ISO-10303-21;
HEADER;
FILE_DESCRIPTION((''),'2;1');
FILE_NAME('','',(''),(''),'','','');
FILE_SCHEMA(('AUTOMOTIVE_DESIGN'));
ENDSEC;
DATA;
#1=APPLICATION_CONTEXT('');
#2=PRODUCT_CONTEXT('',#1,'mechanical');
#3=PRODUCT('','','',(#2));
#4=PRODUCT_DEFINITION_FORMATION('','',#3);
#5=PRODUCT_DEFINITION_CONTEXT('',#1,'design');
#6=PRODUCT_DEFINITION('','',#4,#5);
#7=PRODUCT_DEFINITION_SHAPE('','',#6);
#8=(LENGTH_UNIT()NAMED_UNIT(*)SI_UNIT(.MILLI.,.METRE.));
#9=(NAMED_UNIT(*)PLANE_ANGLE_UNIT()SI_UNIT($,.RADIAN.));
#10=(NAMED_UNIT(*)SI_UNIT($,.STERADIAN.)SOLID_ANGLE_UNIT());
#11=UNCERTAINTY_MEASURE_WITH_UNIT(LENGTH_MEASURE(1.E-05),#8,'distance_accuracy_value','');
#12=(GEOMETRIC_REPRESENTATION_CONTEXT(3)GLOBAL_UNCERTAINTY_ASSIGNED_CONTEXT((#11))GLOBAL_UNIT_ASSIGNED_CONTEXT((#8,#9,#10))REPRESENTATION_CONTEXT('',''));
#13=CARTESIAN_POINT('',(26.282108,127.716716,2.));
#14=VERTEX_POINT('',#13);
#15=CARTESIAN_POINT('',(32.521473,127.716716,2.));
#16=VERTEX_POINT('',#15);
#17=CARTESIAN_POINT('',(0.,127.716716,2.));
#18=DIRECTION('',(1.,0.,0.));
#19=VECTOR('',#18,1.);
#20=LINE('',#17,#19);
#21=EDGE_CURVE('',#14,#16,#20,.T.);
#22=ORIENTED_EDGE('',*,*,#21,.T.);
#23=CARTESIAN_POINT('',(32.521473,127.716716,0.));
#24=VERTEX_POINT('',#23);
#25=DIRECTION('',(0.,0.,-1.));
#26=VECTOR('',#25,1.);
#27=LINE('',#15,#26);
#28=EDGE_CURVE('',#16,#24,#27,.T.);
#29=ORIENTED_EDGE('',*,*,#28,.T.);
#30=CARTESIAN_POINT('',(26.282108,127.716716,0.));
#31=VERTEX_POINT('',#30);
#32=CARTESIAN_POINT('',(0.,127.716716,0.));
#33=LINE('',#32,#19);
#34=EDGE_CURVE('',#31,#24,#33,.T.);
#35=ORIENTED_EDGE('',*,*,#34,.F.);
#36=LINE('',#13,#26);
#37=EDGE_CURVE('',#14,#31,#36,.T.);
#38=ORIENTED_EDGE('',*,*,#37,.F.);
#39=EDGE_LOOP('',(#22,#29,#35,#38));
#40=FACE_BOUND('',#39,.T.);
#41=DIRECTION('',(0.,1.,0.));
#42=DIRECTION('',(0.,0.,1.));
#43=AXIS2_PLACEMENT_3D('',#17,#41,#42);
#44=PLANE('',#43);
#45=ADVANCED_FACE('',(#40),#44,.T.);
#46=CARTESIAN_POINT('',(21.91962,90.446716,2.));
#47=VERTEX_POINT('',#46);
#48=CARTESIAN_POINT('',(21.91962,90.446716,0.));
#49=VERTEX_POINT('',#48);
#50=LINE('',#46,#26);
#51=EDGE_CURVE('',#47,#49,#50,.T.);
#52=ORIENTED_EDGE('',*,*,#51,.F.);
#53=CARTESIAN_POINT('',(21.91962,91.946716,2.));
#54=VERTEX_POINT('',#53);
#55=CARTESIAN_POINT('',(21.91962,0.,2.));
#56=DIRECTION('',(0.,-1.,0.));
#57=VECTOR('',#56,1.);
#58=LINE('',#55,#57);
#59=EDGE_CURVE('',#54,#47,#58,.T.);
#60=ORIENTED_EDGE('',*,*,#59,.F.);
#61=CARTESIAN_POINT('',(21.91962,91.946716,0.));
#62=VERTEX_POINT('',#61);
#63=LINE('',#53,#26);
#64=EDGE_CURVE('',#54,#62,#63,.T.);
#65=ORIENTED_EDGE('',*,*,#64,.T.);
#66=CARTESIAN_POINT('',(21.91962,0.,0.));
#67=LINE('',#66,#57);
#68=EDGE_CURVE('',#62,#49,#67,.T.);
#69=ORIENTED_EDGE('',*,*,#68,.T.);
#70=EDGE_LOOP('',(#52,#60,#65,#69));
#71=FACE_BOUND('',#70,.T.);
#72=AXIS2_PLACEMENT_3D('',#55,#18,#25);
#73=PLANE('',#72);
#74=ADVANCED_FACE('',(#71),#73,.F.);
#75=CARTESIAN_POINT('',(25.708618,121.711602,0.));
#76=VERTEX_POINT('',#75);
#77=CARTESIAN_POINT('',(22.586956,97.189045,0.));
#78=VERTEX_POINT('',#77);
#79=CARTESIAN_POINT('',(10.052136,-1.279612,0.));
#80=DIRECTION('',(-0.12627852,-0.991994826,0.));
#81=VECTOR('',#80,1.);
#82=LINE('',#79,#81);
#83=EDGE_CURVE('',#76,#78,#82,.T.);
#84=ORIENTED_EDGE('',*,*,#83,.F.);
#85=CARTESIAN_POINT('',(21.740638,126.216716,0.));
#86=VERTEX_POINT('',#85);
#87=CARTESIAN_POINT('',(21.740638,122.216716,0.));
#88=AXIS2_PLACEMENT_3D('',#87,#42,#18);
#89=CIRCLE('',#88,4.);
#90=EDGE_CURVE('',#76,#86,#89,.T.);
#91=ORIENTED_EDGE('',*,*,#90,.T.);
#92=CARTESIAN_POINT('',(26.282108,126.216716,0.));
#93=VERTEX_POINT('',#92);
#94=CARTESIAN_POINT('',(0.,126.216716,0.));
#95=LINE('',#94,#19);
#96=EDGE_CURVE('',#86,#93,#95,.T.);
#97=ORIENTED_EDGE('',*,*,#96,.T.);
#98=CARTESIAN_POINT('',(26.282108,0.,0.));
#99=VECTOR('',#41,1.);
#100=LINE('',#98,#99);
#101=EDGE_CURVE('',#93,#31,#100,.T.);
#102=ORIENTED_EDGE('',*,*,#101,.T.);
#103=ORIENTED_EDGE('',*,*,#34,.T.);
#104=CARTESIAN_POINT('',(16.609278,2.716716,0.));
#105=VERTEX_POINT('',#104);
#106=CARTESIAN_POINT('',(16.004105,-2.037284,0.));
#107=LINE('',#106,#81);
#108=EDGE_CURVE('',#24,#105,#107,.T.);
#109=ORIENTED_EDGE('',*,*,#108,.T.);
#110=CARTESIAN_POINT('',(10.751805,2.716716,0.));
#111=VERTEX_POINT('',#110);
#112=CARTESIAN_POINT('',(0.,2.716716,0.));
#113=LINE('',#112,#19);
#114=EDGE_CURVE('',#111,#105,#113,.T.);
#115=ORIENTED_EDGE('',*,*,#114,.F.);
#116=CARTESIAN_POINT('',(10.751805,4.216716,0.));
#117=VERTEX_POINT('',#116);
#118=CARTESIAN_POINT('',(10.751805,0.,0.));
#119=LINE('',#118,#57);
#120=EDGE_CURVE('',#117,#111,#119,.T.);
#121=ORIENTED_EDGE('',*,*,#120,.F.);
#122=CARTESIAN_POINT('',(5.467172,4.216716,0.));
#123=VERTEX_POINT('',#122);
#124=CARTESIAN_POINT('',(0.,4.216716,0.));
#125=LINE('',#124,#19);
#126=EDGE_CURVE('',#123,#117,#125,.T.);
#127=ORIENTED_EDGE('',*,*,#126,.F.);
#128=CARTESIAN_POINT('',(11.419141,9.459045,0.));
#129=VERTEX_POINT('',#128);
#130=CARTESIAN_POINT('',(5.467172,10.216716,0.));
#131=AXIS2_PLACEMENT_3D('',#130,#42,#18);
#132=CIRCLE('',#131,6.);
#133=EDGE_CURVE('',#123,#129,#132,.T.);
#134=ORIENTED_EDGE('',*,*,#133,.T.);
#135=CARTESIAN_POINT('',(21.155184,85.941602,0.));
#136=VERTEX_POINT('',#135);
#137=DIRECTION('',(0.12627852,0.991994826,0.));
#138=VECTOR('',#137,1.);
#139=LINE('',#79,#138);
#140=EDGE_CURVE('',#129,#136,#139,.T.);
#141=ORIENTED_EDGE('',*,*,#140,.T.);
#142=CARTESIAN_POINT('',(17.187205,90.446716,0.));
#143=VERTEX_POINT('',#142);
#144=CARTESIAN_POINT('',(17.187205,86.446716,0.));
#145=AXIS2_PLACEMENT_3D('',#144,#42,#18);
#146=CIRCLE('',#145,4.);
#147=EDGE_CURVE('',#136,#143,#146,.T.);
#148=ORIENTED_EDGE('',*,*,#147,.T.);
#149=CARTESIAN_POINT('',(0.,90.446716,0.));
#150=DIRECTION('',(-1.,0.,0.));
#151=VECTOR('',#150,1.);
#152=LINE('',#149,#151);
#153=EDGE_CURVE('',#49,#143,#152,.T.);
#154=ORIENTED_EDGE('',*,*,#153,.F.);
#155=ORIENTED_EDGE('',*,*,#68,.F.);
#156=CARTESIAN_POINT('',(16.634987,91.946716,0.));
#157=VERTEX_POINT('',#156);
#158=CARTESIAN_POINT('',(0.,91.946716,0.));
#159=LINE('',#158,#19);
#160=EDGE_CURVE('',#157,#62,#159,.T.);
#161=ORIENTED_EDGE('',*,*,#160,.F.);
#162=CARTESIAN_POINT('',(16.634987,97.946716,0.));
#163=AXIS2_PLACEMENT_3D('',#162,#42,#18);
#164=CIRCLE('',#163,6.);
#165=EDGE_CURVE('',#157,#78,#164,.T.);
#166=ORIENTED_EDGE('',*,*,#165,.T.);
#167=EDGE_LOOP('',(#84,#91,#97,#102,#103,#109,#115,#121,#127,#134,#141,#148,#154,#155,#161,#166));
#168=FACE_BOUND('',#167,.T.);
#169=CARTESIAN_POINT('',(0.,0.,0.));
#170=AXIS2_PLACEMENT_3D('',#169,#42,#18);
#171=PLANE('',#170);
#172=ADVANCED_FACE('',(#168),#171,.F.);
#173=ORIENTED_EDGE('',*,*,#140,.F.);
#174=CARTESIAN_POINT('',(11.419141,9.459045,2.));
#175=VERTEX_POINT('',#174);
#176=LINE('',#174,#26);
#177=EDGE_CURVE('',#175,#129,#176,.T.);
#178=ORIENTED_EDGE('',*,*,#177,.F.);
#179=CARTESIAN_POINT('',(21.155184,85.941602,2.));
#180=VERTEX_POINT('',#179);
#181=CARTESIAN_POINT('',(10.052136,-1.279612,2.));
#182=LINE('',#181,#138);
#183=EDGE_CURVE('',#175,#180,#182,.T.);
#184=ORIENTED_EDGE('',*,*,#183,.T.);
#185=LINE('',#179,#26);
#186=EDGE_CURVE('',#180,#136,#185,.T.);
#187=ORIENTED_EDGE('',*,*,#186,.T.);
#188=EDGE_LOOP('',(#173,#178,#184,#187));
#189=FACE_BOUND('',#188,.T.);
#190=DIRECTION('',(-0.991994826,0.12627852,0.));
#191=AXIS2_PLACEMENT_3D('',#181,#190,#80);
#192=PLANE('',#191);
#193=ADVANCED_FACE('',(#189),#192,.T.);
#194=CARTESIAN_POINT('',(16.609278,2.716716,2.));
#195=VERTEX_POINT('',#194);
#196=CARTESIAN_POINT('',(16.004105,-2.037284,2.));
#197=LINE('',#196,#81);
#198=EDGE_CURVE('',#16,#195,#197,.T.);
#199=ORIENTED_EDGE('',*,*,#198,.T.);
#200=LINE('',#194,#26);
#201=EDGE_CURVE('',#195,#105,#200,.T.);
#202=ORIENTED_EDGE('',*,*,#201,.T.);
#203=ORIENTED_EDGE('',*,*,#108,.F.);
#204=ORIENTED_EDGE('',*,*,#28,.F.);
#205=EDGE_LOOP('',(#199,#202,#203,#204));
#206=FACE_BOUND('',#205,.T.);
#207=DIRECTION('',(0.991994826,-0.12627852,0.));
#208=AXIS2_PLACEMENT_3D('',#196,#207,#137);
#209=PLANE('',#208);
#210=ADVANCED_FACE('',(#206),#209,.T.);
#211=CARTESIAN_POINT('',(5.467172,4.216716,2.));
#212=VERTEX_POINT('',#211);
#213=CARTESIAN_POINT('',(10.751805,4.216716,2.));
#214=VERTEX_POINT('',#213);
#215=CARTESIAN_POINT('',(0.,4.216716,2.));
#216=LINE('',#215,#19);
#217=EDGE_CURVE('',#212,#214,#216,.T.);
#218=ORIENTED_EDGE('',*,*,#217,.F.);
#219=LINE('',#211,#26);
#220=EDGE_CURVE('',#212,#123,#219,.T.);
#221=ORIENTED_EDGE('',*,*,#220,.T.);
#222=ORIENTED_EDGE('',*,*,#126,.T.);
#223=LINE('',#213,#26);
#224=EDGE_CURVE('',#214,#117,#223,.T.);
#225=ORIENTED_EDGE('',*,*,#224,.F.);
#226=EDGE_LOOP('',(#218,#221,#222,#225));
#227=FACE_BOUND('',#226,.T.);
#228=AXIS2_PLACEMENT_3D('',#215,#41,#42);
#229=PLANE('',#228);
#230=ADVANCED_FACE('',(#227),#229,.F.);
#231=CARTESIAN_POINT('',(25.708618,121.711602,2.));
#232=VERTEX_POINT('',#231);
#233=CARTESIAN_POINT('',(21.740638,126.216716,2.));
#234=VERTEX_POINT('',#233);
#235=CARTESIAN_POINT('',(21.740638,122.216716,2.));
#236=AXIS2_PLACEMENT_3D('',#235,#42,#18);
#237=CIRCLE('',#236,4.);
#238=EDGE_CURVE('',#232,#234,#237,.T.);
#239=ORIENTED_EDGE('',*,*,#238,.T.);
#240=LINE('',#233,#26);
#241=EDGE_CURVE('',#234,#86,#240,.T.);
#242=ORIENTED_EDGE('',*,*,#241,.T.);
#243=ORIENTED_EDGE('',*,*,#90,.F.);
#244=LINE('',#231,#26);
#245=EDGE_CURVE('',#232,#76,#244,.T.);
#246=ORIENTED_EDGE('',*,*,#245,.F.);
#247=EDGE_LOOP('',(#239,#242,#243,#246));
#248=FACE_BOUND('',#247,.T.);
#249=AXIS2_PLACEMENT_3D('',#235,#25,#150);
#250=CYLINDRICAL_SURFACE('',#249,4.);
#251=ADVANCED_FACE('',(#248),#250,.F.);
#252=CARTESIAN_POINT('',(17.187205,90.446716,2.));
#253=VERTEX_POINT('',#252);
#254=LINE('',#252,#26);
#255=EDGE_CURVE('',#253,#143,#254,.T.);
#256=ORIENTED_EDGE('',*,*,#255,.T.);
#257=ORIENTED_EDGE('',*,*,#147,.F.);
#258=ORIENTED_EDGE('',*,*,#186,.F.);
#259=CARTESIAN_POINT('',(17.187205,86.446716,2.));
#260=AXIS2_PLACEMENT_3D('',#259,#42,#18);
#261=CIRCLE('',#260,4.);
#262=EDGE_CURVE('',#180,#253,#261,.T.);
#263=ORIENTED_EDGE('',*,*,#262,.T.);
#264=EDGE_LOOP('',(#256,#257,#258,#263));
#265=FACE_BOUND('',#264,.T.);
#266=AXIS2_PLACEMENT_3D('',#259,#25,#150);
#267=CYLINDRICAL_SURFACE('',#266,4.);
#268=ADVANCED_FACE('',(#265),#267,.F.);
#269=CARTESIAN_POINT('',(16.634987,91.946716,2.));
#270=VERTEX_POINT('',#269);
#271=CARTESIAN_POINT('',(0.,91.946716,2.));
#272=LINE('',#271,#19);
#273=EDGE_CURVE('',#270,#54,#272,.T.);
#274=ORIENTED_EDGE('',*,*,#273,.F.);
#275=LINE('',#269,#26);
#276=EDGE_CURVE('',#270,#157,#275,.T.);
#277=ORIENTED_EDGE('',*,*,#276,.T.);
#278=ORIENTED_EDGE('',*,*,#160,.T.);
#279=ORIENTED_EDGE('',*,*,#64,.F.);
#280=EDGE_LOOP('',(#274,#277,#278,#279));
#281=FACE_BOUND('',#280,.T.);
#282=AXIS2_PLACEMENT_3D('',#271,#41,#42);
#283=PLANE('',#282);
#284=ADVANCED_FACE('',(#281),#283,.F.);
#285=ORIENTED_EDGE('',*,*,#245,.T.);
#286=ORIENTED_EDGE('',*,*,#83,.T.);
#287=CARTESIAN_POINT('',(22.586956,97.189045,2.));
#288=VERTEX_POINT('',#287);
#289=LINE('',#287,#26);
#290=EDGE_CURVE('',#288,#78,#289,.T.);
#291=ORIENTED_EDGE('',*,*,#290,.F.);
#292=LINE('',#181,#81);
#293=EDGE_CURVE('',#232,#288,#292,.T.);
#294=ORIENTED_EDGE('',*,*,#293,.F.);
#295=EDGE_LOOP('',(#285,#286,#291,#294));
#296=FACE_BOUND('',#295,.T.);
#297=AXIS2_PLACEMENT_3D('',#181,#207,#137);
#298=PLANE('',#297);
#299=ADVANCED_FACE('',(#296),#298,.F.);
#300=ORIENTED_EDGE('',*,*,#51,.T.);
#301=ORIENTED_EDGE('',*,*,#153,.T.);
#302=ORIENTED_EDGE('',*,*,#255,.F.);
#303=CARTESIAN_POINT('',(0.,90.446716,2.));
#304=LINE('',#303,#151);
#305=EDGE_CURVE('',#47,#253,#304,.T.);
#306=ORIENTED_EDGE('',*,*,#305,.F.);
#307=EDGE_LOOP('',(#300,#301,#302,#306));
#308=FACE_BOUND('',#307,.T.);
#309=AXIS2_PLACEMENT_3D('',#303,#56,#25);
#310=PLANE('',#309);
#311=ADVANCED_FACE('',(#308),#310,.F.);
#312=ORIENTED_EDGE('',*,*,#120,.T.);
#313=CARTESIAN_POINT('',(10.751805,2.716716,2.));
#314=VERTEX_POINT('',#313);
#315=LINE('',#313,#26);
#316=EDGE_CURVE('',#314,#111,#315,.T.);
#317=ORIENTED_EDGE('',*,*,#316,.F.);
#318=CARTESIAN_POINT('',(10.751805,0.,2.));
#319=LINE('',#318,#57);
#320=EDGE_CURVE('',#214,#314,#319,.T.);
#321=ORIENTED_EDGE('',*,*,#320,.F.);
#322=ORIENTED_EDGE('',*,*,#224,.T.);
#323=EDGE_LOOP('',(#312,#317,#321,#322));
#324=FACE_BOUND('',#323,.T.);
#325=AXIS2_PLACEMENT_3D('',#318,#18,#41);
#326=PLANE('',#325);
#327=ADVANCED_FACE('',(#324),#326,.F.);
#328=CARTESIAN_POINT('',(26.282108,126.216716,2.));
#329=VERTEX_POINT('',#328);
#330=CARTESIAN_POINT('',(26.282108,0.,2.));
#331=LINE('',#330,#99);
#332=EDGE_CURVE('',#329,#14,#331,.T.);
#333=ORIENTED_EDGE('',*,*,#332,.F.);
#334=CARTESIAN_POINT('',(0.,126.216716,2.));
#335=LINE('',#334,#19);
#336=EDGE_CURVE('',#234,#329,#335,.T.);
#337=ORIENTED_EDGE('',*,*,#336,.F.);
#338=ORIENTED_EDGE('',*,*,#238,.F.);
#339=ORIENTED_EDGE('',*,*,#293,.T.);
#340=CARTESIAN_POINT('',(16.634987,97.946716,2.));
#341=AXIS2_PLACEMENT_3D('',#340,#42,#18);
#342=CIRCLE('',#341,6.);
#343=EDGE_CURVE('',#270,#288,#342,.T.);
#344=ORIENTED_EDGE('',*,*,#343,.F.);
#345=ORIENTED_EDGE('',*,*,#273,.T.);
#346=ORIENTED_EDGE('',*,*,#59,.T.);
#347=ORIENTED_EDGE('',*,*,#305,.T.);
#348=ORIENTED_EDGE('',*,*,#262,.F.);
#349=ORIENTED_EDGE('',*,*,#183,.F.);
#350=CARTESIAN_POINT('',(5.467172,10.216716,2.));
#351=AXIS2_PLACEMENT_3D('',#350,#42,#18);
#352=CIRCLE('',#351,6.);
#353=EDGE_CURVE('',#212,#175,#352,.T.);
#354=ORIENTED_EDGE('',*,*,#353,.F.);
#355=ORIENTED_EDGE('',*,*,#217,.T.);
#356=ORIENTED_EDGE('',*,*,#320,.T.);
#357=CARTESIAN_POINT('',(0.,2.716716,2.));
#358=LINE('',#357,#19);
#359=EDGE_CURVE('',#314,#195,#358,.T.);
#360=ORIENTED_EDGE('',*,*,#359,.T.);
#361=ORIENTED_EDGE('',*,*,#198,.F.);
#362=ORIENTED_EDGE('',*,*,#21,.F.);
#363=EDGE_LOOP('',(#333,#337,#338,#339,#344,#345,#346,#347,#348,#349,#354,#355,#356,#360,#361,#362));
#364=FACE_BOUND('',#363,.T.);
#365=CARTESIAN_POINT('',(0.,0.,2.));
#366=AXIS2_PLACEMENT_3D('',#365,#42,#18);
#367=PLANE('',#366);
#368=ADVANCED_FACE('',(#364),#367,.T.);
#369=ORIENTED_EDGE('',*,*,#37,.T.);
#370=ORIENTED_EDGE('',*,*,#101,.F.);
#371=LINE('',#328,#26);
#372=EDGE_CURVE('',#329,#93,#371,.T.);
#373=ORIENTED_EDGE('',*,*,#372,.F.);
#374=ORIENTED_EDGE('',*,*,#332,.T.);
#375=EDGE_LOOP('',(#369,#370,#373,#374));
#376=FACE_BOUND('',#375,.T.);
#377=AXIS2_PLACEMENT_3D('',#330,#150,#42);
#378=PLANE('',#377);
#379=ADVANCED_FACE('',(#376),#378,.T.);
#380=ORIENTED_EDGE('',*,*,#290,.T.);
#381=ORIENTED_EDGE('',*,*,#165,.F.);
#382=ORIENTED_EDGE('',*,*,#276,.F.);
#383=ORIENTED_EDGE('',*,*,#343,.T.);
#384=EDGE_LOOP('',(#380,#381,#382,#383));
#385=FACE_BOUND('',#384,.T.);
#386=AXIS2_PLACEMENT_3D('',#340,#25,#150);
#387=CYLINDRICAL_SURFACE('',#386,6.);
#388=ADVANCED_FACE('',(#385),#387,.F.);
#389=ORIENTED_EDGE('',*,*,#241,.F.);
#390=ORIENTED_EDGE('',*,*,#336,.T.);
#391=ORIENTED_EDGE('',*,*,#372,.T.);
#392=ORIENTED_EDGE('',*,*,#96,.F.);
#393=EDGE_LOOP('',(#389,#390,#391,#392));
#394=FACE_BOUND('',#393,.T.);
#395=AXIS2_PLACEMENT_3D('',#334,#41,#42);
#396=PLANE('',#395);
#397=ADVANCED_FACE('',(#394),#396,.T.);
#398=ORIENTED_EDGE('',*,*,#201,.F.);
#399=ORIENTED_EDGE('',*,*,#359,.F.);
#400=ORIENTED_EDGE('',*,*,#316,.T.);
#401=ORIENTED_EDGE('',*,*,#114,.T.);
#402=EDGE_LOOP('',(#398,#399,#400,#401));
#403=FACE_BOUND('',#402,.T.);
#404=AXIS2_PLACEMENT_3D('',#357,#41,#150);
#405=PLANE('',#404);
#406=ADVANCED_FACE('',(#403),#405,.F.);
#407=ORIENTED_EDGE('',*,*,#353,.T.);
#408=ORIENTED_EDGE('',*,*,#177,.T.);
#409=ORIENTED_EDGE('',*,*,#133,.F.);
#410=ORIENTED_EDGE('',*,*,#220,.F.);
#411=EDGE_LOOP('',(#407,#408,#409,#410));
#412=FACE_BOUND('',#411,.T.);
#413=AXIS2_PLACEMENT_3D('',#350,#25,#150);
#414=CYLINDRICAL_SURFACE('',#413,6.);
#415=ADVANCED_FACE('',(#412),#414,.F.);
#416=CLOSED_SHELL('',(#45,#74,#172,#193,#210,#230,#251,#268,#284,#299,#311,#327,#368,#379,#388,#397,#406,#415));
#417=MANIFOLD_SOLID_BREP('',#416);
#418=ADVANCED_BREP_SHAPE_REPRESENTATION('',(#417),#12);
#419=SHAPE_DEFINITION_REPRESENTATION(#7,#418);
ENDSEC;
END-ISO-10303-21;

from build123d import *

# Parameters (mm, degrees)
EXTRUDE_1_DEPTH = 2


with BuildPart() as part:
    # 草图1 → 凸台-拉伸1 (new body)
    with BuildSketch(Plane.XY):
        with BuildLine():
            Line((32.521472611, 127.716716237), (26.282107631, 127.716716237))
            Line((26.282107631, 127.716716237), (26.282107631, 126.216716237))
            Line((26.282107631, 126.216716237), (21.740638301, 126.216716237))
            ThreePointArc((21.740638301, 126.216716237), (24.74234251, 124.860533901), (25.708617606, 121.711602158))
            Line((25.708617606, 121.711602158), (22.586955956, 97.189045118))
            ThreePointArc((22.586955956, 97.189045118), (20.600713495, 93.444159924), (16.634986998, 91.946716237))
            Line((16.634986998, 91.946716237), (21.919620287, 91.946716237))
            Line((21.919620287, 91.946716237), (21.919620287, 90.446716237))
            Line((21.919620287, 90.446716237), (17.187204618, 90.446716237))
            ThreePointArc((17.187204618, 90.446716237), (20.188908827, 89.090533901), (21.155183923, 85.941602158))
            Line((21.155183923, 85.941602158), (11.419141111, 9.459045118))
            ThreePointArc((11.419141111, 9.459045118), (9.43289865, 5.714159924), (5.467172154, 4.216716237))
            Line((5.467172154, 4.216716237), (10.751805442, 4.216716237))
            Line((10.751805442, 4.216716237), (10.751805442, 2.716716237))
            Line((10.751805442, 2.716716237), (16.609277745, 2.716716237))
            Line((16.609277745, 2.716716237), (32.521472611, 127.716716237))
        make_face()
    extrude(amount=EXTRUDE_1_DEPTH)


solid = part.part
